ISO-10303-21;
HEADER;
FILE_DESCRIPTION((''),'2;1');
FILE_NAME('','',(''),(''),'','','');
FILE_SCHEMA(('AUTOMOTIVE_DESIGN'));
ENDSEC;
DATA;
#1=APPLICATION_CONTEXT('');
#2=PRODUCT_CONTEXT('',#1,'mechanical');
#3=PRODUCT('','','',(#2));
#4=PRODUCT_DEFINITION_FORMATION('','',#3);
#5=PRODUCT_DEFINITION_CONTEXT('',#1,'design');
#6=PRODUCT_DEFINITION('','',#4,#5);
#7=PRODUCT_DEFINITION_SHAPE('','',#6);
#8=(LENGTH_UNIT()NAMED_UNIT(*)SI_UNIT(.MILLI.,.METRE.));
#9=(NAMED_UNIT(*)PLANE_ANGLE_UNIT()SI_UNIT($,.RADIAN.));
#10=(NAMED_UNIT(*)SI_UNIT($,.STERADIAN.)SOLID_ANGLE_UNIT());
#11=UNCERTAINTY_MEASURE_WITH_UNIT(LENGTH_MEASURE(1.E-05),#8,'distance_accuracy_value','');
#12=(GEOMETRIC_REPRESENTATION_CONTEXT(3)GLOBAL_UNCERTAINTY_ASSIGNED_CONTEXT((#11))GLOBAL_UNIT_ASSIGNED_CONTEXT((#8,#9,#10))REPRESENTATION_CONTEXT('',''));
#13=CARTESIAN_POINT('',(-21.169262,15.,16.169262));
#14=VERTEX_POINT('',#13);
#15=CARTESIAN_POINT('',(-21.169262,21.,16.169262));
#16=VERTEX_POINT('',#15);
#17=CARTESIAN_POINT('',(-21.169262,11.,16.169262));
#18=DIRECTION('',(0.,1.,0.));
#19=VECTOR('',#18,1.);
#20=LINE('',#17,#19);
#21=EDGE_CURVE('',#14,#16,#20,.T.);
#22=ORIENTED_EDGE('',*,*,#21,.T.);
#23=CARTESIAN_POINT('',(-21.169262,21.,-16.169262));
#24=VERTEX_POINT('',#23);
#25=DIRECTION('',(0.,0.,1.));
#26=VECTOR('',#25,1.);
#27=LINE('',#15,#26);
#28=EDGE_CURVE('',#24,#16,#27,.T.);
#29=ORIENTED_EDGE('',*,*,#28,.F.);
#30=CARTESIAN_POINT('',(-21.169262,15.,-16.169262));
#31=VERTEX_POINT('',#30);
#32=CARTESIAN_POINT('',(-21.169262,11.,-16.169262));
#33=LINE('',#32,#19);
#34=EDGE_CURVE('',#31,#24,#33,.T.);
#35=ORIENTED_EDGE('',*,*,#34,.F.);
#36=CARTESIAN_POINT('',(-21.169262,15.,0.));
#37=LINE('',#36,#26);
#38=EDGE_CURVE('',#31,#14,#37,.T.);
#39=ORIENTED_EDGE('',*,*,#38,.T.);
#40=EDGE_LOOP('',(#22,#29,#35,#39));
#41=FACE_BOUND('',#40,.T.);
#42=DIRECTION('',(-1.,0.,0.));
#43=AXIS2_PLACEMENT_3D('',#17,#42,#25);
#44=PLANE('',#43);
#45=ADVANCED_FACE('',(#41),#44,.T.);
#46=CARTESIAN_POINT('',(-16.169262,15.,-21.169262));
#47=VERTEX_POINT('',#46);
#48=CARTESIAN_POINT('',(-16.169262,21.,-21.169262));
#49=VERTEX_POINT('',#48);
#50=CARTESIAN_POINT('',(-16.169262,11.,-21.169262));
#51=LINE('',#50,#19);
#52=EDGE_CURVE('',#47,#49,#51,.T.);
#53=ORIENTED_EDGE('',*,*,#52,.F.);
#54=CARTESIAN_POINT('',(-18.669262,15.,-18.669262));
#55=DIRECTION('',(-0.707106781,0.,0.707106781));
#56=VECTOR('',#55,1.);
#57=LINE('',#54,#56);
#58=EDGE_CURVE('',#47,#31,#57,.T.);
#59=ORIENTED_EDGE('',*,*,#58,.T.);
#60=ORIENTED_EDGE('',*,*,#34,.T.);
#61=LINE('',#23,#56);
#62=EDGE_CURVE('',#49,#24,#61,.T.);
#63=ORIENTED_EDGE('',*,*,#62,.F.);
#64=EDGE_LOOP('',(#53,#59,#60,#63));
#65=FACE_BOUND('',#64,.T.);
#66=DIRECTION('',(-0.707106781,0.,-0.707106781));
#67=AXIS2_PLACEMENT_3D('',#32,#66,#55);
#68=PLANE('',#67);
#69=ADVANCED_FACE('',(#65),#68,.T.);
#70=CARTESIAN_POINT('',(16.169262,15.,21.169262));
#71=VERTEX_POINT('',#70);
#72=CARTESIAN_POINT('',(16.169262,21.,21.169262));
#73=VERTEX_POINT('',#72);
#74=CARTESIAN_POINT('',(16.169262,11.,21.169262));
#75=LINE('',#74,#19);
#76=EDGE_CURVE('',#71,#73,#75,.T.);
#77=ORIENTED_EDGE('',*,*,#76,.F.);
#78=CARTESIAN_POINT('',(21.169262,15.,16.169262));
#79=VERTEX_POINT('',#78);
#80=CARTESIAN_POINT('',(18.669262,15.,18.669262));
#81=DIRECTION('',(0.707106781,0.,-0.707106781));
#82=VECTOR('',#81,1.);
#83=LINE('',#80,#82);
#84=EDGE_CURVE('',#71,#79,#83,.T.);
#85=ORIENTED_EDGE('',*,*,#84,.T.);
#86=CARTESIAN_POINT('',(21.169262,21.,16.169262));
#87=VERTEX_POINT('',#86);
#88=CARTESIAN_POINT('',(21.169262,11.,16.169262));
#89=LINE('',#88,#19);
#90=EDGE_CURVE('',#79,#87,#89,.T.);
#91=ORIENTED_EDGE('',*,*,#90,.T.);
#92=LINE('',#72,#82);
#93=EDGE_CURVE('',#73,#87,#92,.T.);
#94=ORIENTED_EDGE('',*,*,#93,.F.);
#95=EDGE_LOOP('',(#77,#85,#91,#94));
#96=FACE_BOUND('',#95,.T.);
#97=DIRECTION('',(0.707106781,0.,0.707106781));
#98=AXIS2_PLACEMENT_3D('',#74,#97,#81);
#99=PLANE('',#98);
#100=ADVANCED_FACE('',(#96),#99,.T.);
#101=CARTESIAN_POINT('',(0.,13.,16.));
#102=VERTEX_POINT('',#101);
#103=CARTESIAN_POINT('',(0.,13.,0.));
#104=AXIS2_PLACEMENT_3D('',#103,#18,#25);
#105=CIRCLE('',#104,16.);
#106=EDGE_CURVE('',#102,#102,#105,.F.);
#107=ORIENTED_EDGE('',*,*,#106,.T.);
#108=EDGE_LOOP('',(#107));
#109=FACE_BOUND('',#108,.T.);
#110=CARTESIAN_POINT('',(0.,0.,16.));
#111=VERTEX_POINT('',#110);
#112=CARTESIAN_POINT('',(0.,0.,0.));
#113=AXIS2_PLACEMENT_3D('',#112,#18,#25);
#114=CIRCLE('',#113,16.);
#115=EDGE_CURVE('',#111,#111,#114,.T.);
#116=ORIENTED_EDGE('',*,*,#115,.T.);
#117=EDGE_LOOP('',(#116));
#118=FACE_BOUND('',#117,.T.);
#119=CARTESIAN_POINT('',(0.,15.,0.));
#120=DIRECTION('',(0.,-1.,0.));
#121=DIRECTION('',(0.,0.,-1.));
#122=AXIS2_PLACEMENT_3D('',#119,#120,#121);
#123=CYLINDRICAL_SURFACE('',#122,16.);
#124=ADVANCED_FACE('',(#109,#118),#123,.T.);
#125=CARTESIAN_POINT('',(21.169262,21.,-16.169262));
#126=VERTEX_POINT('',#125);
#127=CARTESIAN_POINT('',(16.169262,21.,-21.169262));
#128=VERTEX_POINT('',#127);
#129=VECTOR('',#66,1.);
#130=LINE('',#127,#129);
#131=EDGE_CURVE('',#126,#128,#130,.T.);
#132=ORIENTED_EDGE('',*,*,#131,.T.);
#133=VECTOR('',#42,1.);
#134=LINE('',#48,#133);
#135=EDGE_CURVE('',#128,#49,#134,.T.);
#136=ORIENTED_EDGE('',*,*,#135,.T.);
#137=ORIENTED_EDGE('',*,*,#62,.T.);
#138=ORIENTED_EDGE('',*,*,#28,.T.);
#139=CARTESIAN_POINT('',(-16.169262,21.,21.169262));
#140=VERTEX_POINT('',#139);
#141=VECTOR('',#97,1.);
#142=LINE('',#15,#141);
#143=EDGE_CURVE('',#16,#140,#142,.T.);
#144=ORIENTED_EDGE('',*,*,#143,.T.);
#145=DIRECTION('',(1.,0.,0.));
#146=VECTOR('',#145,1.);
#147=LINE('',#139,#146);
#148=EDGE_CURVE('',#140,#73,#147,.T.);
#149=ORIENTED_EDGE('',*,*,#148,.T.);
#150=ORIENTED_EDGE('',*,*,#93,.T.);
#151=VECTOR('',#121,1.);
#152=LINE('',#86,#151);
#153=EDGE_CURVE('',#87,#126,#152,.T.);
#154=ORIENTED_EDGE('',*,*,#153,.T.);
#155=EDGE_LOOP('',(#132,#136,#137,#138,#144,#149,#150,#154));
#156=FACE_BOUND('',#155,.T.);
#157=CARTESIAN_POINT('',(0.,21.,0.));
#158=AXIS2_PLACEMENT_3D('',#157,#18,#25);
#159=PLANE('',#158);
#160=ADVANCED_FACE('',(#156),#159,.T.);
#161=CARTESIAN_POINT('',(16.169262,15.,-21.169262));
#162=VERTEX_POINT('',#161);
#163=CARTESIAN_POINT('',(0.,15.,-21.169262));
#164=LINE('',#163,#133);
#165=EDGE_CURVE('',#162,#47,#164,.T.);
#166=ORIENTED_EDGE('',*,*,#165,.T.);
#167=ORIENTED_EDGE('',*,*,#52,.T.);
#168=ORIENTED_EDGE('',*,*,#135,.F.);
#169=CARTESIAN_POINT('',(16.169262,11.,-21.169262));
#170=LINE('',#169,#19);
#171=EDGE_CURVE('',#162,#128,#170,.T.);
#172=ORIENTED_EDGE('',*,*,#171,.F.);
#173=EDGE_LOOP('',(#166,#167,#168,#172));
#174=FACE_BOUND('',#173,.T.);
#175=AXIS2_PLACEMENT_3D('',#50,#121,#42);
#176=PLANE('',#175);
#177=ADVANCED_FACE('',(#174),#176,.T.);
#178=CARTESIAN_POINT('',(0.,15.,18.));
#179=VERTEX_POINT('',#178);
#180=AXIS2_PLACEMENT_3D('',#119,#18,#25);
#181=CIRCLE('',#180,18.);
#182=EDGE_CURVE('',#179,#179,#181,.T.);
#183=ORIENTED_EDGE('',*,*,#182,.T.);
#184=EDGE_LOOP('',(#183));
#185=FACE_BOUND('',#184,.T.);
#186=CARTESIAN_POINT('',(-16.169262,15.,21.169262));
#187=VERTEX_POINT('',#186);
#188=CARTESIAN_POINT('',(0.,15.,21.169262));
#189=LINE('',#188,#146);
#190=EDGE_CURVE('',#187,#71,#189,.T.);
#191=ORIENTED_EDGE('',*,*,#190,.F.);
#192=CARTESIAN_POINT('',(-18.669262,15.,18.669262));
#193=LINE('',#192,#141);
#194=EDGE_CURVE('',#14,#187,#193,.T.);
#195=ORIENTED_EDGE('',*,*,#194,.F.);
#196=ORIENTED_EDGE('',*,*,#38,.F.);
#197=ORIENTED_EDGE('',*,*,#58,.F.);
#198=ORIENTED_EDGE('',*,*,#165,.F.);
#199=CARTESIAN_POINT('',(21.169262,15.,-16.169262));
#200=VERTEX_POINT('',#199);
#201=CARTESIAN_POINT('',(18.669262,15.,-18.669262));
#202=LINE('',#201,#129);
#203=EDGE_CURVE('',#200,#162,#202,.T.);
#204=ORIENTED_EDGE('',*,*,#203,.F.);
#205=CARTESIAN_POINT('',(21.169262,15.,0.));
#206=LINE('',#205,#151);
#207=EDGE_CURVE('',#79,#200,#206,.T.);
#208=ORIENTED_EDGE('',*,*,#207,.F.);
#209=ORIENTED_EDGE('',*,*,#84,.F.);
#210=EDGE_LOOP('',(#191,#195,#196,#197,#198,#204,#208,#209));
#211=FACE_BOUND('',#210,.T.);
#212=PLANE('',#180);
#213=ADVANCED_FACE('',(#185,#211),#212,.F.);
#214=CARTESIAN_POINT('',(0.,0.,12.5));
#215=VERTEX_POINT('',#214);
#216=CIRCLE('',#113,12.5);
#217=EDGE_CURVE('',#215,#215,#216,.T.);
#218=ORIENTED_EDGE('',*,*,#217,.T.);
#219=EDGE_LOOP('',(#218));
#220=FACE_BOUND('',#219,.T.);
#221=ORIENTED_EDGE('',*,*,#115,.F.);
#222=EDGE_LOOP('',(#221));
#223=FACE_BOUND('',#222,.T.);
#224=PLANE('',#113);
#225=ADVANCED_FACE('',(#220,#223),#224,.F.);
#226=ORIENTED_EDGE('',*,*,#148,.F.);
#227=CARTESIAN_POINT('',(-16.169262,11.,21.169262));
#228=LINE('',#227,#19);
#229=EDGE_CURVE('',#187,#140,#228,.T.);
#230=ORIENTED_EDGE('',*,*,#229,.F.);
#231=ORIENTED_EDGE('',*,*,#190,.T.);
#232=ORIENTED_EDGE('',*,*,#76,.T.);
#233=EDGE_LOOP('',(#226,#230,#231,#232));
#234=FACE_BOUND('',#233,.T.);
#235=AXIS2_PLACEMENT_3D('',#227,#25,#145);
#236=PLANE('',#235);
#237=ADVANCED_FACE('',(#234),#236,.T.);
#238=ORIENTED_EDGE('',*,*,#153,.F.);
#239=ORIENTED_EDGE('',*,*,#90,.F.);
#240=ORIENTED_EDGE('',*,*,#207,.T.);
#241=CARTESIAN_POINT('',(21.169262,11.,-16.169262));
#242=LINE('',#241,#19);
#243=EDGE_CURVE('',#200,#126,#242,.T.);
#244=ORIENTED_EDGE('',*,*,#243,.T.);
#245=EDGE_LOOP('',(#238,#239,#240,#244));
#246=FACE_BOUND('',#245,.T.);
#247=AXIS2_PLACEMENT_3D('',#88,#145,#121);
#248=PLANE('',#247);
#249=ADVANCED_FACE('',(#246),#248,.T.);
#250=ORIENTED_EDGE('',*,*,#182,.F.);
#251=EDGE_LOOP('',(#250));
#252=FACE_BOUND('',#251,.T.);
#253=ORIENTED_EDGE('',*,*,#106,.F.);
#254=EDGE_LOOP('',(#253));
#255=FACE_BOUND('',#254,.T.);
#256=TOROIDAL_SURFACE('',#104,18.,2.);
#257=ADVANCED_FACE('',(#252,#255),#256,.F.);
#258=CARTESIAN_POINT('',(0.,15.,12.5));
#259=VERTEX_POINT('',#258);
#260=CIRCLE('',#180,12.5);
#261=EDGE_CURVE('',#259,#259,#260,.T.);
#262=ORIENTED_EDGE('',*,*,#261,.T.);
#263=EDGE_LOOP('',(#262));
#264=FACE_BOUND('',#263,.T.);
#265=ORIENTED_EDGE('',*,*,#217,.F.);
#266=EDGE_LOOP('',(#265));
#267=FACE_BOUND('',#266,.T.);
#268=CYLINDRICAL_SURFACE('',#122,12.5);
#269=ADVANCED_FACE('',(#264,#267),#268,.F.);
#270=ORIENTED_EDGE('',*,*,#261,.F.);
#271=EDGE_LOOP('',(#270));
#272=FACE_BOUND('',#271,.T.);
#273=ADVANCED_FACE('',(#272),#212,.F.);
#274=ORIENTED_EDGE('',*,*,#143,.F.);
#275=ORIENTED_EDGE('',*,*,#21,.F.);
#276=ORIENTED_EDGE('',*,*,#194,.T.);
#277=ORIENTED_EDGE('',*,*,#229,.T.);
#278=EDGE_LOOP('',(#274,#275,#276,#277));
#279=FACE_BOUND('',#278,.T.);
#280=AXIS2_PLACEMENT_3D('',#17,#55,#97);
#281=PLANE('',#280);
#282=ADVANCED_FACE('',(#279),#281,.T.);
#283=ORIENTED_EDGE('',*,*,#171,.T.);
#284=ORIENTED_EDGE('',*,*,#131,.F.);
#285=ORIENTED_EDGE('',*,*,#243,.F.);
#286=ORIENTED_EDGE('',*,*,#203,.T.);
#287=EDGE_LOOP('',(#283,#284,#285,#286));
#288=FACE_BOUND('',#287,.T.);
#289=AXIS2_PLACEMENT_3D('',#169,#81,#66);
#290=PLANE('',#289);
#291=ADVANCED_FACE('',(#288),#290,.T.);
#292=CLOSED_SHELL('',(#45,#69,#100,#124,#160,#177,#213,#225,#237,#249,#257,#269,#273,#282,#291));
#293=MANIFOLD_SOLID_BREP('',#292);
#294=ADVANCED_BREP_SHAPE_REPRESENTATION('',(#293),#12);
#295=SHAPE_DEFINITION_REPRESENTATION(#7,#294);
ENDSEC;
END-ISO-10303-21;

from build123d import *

# Parameters (mm, degrees)
SKETCH1_R          = 16
SKETCH1_R_2        = 12.5
EXTRUDE1_DEPTH     = 15
SKETCH2_R          = 30
EXTRUDE2_DEPTH     = 6
FILLET1_R          = 2
SKETCH5_W          = 68.7469374
SKETCH5_H          = 68.7469374
CUT_EXTRUDE2_DEPTH = 10


with BuildPart() as part:
    # Sketch1 → Extrude1 (new body)
    with BuildSketch(Plane(origin=(0, 0, 0), x_dir=(1, 0, 0), z_dir=(0, 1, 0))):
        with Locations(Location((0, 0, 0), (0, 0, 270))):
            Circle(SKETCH1_R)
        with Locations(Location((0, 0, 0), (0, 0, 270))):
            Circle(SKETCH1_R_2, mode=Mode.SUBTRACT)
    extrude(amount=EXTRUDE1_DEPTH)

    # Sketch2 → Extrude2 (add)
    with BuildSketch(Plane(origin=(0, 15, 0), x_dir=(1, 0, 0), z_dir=(0, 1, 0))):
        with Locations(Location((0, 0, 0), (0, 0, 270))):
            Circle(SKETCH2_R)
    extrude(amount=EXTRUDE2_DEPTH)

    # Fillet1
    fillet1_edges = [part.edges().sort_by_distance(p)[0] for p in [
        (0, 15, -16),
    ]]
    fillet(fillet1_edges, radius=FILLET1_R)

    # Sketch5 → Cut-Extrude2 (cut)
    with BuildSketch(Plane(origin=(0, 21, 0), x_dir=(1, 0, 0), z_dir=(0, 1, 0))):
        Rectangle(SKETCH5_W, SKETCH5_H)
        Polygon((-21.16926222, 16.16926222), (-16.16926222, 21.16926222), (16.16926222, 21.16926222), (21.16926222, 16.16926222), (21.16926222, -16.16926222), (16.16926222, -21.16926222), (-16.16926222, -21.16926222), (-21.16926222, -16.16926222), align=None, mode=Mode.SUBTRACT)
    extrude(amount=-CUT_EXTRUDE2_DEPTH, mode=Mode.SUBTRACT)


solid = part.part
